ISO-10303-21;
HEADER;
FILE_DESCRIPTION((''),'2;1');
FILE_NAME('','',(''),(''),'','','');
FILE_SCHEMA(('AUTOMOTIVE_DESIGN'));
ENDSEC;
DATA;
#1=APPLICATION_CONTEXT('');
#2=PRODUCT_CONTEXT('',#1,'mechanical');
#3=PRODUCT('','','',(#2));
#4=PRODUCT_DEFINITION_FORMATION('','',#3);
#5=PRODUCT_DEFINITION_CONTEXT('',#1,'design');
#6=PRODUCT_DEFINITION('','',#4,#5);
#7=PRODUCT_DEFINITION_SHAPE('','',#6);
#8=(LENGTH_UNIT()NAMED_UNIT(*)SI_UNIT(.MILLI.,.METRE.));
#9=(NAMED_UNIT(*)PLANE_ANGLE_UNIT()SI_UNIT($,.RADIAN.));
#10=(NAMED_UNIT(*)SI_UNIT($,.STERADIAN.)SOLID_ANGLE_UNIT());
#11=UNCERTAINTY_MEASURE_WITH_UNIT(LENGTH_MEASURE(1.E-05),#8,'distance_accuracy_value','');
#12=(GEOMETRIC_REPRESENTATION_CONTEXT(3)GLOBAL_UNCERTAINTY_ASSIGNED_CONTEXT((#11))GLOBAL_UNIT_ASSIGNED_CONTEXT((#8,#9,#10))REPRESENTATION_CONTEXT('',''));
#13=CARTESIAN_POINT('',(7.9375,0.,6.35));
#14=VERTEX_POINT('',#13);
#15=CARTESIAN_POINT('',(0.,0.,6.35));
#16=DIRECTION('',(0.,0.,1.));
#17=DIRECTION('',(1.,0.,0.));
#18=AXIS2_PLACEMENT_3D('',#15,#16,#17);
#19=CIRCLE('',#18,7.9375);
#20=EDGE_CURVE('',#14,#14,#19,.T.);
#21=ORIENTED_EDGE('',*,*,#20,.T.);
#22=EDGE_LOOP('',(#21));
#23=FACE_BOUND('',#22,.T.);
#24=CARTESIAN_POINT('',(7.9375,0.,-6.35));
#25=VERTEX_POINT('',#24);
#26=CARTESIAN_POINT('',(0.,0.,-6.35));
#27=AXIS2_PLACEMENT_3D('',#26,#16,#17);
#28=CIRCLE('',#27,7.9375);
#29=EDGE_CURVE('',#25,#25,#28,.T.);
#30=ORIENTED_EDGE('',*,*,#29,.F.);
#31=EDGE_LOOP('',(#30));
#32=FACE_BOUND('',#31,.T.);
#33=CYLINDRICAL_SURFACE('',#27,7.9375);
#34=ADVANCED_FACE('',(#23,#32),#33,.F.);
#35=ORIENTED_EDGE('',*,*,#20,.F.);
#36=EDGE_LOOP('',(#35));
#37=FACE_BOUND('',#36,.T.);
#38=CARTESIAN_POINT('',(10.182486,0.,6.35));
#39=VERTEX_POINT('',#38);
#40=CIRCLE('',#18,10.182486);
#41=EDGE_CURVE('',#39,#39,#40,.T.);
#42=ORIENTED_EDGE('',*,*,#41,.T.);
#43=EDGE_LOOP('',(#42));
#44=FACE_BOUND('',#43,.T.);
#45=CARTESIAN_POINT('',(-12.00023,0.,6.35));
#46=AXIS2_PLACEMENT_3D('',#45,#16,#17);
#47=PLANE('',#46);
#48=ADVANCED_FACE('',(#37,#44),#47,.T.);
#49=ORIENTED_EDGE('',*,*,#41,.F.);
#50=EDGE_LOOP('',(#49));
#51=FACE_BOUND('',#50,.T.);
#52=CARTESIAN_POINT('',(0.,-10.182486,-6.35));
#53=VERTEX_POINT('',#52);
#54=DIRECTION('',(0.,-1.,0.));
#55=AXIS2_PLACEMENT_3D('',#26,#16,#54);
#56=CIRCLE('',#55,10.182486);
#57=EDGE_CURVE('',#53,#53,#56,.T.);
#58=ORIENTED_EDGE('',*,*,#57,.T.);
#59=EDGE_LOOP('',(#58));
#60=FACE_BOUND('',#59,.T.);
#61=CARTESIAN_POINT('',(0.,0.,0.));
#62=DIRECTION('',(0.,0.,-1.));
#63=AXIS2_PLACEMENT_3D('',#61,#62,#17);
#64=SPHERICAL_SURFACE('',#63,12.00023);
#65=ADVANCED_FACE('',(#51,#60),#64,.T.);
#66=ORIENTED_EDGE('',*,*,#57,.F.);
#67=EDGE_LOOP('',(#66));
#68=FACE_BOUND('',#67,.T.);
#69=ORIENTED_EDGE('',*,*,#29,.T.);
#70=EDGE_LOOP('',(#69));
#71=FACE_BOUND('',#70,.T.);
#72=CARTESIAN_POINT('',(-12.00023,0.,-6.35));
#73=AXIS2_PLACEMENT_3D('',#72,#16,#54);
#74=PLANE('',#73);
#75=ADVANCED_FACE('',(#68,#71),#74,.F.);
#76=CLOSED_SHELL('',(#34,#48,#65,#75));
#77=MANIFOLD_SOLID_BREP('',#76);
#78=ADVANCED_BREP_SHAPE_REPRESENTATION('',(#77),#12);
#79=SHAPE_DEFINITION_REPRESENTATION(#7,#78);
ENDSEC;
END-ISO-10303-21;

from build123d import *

# Parameters (mm, degrees)
CUT_EXTRUDE1_DEPTH      = 13.00023
CUT_EXTRUDE1_DEPTH_BACK = 13.00023
SKETCH3_R               = 7.9375
CUT_EXTRUDE3_DEPTH      = 13.7


with BuildPart() as part:
    # Sketch1 → Revolve1 (revolve)
    with BuildSketch(Plane(origin=(0, 0, 0), x_dir=(1, 0, 0), z_dir=(0, 1, 0))):
        with BuildLine():
            Line((0, 12.00023), (0, -12.00023))
            ThreePointArc((0, -12.00023), (12.00023, 0), (0, 12.00023))
        make_face()
    revolve(axis=Axis((0, 0, -16.515997735), (0, 0, 1)))

    # Sketch2 → Cut-Extrude1 (cut, two sides)
    with BuildSketch(Plane(origin=(0, 0, 0), x_dir=(0, 0, -1), z_dir=(1, 0, 0))) as cut_extrude1_sk:
        with BuildLine():
            Line((-6.35, 10.182485947), (-6.35, -10.182485947))
            ThreePointArc((-6.35, -10.182485947), (-12.00023, 0), (-6.35, 10.182485947))
        make_face()
        with BuildLine():
            ThreePointArc((6.35, -10.182485947), (12.00023, 0), (6.35, 10.182485947))
            Line((6.35, 10.182485947), (6.35, -10.182485947))
        make_face()
    extrude(amount=CUT_EXTRUDE1_DEPTH, mode=Mode.SUBTRACT)
    extrude(cut_extrude1_sk.sketch, amount=-CUT_EXTRUDE1_DEPTH_BACK, mode=Mode.SUBTRACT)

    # Sketch3 → Cut-Extrude3 (cut, through all)
    with BuildSketch(Plane.XY.offset(6.35)):
        Circle(SKETCH3_R)
    extrude(amount=-CUT_EXTRUDE3_DEPTH, mode=Mode.SUBTRACT)


solid = part.part
